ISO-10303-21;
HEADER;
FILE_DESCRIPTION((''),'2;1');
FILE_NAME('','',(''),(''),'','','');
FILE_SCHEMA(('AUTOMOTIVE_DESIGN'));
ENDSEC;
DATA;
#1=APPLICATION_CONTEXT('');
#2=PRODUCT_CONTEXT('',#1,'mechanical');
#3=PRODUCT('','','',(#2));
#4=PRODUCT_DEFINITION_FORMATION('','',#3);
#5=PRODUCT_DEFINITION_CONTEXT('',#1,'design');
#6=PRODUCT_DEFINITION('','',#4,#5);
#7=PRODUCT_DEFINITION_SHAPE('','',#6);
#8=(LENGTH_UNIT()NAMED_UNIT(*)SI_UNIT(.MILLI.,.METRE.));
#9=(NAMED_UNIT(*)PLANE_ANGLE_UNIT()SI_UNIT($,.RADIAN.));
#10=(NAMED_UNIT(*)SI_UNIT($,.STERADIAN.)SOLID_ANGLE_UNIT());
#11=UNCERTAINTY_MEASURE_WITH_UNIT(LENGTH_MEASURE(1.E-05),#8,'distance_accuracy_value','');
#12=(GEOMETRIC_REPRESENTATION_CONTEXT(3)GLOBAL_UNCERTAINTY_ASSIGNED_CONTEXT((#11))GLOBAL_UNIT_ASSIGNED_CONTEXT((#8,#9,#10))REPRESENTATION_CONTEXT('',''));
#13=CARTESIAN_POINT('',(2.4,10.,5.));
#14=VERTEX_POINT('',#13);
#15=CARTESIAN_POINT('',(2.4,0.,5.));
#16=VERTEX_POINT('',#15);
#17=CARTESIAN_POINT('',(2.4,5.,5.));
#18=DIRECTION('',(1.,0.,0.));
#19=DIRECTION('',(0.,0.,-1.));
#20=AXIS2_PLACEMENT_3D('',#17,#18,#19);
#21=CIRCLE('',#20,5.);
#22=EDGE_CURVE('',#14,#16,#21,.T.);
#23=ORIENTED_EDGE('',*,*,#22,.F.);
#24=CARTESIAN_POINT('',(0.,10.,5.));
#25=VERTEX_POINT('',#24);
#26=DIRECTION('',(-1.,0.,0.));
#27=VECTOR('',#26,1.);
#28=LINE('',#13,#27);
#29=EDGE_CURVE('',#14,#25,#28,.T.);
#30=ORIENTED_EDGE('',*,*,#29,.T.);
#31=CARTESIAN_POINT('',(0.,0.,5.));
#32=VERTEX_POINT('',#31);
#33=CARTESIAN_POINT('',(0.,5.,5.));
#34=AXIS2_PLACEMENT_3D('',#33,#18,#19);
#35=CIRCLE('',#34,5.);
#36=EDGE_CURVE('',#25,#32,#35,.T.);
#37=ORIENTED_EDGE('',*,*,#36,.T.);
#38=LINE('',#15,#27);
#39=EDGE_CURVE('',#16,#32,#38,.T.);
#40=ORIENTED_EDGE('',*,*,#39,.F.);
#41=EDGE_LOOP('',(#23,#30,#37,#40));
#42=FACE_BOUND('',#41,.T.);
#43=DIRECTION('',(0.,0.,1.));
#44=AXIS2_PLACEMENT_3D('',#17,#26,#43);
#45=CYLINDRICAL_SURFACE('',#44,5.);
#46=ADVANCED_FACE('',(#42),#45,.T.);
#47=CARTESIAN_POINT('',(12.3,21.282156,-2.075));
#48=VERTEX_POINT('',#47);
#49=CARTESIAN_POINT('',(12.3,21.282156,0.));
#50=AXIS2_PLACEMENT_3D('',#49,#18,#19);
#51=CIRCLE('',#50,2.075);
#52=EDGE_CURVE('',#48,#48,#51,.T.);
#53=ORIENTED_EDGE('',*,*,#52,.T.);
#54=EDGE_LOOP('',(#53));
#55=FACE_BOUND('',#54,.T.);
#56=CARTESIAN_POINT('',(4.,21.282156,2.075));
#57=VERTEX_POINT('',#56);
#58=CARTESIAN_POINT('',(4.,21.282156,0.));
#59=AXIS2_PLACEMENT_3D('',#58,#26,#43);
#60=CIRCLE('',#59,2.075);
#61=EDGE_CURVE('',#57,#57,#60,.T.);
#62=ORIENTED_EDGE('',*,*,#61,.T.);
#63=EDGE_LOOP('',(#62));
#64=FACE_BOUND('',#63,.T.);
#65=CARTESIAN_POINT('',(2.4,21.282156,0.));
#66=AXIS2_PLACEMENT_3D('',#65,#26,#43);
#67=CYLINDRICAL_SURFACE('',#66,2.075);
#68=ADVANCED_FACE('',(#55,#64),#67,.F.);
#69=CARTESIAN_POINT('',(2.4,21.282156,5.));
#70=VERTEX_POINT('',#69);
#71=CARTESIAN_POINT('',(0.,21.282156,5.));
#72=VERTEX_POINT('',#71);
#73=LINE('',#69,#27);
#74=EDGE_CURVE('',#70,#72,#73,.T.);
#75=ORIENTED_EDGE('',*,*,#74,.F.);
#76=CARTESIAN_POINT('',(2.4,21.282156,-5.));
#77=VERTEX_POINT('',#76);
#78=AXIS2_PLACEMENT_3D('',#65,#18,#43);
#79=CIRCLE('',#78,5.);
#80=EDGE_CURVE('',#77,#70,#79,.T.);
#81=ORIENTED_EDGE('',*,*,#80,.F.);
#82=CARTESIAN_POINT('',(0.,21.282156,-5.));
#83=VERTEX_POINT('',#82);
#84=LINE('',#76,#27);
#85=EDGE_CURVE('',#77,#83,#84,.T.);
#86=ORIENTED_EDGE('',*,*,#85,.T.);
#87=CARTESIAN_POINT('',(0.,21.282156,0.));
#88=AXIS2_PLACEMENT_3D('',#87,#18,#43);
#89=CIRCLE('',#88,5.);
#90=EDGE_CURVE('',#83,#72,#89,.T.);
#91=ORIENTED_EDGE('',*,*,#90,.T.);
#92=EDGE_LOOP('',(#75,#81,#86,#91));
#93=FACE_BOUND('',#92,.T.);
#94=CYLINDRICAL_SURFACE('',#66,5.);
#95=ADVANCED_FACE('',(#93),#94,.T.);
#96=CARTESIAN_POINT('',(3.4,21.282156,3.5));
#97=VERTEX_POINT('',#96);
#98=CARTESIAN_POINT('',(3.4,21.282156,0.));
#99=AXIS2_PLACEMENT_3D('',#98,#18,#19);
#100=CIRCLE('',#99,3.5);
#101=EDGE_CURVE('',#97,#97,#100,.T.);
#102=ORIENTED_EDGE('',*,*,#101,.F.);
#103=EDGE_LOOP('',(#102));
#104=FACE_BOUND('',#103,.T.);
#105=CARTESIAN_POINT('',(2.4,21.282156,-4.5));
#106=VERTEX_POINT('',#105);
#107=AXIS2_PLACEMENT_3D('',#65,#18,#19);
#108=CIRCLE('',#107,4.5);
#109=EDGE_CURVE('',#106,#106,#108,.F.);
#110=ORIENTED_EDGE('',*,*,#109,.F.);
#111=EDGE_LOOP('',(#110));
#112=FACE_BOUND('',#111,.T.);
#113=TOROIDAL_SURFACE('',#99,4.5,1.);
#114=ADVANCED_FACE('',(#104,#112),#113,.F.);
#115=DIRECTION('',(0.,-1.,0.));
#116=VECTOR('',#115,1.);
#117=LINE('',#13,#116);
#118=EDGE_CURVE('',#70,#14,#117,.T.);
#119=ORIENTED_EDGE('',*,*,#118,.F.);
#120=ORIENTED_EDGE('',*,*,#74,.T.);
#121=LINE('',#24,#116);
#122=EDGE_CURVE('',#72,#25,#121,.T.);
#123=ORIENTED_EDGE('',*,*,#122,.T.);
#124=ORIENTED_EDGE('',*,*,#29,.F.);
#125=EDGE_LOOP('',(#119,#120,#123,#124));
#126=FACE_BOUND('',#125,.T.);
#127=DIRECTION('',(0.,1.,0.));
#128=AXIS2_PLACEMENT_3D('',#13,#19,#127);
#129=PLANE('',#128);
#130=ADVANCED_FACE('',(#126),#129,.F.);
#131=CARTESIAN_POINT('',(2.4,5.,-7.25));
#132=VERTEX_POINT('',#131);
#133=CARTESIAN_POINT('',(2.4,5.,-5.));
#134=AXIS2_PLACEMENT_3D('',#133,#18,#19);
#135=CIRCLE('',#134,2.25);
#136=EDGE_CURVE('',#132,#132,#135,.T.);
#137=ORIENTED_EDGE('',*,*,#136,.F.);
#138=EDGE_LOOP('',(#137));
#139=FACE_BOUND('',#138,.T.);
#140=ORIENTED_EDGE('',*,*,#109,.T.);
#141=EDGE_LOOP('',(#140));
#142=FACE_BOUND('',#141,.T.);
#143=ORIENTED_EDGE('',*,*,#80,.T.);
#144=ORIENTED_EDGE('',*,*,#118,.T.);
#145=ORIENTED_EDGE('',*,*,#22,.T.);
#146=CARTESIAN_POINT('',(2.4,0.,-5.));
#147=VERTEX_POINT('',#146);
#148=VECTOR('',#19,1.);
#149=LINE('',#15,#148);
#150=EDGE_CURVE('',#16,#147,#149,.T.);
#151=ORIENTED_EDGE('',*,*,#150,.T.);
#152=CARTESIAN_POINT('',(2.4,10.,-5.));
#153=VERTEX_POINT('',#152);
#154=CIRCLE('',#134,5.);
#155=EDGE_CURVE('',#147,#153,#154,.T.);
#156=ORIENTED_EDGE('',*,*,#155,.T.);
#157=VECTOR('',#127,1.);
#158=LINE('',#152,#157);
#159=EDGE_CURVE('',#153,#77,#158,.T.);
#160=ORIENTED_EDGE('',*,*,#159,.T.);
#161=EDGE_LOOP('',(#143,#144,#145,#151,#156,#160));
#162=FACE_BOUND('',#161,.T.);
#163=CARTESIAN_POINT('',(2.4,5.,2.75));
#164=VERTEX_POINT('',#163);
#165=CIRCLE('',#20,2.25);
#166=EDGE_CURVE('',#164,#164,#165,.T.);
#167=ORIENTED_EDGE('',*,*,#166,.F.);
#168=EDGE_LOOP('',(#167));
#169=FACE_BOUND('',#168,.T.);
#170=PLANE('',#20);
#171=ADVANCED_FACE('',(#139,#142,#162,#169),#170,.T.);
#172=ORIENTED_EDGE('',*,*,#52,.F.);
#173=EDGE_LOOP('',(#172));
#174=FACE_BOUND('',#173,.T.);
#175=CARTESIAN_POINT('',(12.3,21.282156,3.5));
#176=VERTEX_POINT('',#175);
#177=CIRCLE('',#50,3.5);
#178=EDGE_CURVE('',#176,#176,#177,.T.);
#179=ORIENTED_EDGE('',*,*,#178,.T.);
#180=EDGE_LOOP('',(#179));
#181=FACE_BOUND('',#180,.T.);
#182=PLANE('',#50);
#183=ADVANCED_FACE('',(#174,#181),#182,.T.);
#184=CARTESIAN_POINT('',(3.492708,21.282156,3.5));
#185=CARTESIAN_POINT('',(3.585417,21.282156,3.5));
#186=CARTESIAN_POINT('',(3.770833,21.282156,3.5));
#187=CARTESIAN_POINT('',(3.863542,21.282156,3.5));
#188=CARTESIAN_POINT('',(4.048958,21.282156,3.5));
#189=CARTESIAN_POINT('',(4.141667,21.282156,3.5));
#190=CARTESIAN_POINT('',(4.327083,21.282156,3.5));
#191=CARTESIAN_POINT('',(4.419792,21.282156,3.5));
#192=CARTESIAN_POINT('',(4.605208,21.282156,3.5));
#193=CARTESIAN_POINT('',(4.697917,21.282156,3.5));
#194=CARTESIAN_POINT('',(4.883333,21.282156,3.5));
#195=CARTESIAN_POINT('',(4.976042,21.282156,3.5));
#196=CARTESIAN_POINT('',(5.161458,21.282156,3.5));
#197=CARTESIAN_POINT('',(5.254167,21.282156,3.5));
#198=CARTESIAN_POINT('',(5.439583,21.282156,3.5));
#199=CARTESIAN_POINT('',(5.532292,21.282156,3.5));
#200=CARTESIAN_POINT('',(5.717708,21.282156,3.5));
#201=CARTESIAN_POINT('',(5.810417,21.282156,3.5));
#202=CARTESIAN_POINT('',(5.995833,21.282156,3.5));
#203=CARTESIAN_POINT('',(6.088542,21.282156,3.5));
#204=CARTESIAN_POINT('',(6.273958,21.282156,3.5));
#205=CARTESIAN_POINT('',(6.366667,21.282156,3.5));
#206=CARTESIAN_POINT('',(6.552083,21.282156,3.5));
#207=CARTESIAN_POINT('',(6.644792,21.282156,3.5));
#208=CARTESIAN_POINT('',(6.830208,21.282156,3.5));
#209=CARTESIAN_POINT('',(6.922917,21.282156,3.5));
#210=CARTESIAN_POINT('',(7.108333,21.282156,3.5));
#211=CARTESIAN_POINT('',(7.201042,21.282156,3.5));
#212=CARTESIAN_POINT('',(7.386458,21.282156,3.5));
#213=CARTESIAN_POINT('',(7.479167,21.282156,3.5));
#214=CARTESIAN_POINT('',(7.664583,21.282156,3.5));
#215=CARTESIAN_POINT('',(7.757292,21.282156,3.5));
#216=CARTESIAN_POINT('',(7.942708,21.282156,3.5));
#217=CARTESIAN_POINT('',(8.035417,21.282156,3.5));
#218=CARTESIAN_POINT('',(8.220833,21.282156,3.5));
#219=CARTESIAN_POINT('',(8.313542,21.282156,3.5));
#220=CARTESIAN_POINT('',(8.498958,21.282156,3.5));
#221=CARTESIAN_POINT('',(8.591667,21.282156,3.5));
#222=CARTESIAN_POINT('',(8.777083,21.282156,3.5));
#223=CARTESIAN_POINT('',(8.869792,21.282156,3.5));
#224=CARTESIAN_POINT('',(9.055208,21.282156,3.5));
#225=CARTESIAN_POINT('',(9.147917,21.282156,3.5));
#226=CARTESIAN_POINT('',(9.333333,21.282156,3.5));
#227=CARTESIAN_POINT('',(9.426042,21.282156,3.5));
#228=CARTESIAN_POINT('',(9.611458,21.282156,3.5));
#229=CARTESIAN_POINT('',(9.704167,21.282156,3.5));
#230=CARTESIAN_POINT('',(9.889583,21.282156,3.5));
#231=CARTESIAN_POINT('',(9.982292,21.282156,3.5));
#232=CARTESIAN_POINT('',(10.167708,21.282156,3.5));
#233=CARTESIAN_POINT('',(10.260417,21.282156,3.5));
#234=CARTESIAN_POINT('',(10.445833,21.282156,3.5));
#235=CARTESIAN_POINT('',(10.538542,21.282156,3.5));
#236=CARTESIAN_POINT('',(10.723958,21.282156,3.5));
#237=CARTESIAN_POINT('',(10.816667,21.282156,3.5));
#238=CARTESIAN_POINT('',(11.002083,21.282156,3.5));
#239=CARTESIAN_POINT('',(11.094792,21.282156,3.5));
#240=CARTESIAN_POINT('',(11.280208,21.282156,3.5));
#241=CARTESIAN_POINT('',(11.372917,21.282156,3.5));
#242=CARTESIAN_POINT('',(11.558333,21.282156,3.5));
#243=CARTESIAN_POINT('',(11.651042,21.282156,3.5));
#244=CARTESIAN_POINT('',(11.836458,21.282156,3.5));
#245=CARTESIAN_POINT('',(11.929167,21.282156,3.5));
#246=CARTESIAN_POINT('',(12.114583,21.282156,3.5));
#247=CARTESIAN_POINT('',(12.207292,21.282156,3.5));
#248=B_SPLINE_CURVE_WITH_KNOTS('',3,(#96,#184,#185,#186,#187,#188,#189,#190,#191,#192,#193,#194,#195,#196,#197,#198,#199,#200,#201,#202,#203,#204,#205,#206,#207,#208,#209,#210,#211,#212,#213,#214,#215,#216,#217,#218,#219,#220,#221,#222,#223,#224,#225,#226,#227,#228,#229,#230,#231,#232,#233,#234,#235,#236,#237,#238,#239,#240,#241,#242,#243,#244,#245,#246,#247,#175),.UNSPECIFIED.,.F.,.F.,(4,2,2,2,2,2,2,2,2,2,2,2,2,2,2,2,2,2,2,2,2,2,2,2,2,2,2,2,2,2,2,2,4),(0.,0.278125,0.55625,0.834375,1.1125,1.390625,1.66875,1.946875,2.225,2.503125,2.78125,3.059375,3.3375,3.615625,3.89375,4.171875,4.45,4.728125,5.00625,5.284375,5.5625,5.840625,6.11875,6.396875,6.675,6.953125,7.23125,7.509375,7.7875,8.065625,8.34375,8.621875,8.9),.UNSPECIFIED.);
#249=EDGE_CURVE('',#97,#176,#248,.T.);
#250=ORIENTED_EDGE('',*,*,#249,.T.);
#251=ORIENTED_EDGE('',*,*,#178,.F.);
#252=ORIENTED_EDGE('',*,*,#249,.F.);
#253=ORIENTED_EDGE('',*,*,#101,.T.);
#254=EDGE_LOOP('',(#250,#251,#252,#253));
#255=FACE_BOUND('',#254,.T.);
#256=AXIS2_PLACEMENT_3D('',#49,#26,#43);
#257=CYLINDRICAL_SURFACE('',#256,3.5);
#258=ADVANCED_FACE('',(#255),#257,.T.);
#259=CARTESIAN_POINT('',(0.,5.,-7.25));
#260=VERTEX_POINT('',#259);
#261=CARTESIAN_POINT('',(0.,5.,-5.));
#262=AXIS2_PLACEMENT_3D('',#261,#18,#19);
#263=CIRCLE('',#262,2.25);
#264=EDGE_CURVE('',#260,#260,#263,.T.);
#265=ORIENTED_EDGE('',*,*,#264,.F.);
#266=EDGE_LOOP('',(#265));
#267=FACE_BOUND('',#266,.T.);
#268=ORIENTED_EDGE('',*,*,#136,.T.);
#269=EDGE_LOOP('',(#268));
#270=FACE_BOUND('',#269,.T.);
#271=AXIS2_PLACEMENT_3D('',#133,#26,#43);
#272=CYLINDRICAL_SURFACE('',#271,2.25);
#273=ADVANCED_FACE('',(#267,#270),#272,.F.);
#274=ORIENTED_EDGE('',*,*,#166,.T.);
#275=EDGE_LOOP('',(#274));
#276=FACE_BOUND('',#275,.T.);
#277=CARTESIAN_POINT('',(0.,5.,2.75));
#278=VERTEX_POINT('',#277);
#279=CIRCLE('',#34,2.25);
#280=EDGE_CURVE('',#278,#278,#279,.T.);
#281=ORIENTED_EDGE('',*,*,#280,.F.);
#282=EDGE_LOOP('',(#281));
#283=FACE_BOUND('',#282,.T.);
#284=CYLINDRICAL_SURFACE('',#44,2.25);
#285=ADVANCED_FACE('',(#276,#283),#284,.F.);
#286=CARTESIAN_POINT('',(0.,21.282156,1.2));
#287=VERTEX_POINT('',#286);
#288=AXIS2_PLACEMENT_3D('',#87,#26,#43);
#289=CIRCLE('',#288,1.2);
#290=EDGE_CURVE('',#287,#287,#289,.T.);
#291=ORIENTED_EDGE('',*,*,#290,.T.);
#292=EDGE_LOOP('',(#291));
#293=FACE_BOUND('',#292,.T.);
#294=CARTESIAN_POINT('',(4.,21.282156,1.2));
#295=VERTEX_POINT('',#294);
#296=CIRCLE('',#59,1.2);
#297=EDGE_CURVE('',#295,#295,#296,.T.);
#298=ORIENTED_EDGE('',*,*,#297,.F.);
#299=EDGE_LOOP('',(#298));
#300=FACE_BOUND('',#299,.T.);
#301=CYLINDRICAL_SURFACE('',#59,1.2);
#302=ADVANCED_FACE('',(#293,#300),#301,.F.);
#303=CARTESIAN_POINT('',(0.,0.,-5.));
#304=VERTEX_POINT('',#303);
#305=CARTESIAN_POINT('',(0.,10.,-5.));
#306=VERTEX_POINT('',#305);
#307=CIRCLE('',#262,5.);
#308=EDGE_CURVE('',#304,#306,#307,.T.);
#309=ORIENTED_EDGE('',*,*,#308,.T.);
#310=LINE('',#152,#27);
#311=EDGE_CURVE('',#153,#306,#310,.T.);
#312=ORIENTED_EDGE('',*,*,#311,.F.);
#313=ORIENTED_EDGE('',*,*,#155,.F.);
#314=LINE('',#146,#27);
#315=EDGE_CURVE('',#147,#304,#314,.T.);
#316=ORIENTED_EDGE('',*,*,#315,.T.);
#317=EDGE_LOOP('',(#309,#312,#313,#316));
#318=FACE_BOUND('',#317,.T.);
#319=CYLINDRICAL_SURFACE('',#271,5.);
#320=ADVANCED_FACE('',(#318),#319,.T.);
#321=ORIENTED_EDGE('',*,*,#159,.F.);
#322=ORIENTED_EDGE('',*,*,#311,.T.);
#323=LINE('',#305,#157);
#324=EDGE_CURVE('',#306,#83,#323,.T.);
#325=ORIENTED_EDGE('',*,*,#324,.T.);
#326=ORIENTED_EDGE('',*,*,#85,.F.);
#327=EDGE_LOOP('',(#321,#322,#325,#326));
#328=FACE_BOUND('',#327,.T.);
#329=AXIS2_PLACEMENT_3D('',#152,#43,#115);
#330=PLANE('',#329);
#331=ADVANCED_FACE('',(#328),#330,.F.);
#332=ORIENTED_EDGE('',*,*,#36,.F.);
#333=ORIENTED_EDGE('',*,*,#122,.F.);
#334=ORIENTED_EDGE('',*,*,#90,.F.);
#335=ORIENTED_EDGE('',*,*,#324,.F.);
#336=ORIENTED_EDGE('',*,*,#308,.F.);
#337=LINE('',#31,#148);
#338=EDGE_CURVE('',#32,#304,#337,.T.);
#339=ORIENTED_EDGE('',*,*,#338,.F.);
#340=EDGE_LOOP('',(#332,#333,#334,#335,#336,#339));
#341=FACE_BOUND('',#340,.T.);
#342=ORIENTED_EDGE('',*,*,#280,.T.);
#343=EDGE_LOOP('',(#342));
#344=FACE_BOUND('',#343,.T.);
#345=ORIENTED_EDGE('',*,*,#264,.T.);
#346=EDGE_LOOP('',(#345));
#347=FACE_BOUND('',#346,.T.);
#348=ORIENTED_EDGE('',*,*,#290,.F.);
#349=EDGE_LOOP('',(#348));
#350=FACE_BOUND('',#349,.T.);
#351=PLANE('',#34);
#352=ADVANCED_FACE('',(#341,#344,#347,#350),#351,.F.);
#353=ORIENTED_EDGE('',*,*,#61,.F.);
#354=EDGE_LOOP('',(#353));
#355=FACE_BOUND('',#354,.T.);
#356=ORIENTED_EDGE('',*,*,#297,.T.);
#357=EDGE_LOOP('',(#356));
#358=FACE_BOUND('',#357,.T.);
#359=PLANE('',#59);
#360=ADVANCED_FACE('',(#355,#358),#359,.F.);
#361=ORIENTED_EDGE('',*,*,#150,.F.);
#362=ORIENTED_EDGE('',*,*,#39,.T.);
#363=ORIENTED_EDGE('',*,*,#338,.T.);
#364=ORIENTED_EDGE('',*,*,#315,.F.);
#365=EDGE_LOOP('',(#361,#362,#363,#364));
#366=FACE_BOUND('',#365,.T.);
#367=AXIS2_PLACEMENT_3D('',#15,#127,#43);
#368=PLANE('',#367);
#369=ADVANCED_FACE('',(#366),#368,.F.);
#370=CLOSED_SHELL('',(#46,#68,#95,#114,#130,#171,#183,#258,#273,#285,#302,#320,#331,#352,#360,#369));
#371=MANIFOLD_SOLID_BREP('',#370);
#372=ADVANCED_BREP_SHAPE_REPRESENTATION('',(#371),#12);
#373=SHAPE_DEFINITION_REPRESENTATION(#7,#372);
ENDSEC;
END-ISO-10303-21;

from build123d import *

# Parameters (mm, degrees)
SKETCH_1_R      = 2.25
SKETCH_1_R_2    = 2.075
EXTRUDE_1_DEPTH = 2.4
SKETCH_4_R      = 3.5
SKETCH_4_R_2    = 2.075
EXTRUDE_2_DEPTH = 9.9
FILLET_1_R      = 1
SKETCH_5_R      = 2.075
SKETCH_5_R_2    = 1.2
EXTRUDE_3_DEPTH = 4


with BuildPart() as part:
    # 草图1 → 凸台-拉伸1 (new body)
    with BuildSketch(Plane(origin=(0, 0, 0), x_dir=(0, 0, -1), z_dir=(1, 0, 0))):
        with BuildLine():
            Line((-5, 0), (5, 0))
            ThreePointArc((5, 0), (10, 5), (5, 10))
            Line((5, 10), (5, 21.282156306))
            ThreePointArc((5, 21.282156306), (0, 26.282156306), (-5, 21.282156306))
            Line((-5, 21.282156306), (-5, 10))
            ThreePointArc((-5, 10), (-10, 5), (-5, 0))
        make_face()
        with Locations((-5, 5)):
            Circle(SKETCH_1_R, mode=Mode.SUBTRACT)
        with Locations((5, 5)):
            Circle(SKETCH_1_R, mode=Mode.SUBTRACT)
        with Locations((0, 21.282156306)):
            Circle(SKETCH_1_R_2, mode=Mode.SUBTRACT)
    extrude(amount=EXTRUDE_1_DEPTH)

    # 草图4 → 凸台-拉伸2 (add)
    with BuildSketch(Plane(origin=(2.4, 0, 0), x_dir=(0, 0, -1), z_dir=(1, 0, 0))):
        with Locations(Location((0, 21.282156306, 0), (0, 0, 180))):
            Circle(SKETCH_4_R)
        with Locations((0, 21.282156306)):
            Circle(SKETCH_4_R_2, mode=Mode.SUBTRACT)
    extrude(amount=EXTRUDE_2_DEPTH)

    # 圆角1
    fillet_1_edges = [part.edges().sort_by_distance(p)[0] for p in [
        (2.4, 21.282156306, -3.5),
    ]]
    fillet(fillet_1_edges, radius=FILLET_1_R)

    # 草图5 → 凸台-拉伸3 (add)
    with BuildSketch(Plane.ZY):
        with Locations((0, 21.282156306)):
            Circle(SKETCH_5_R)
        with Locations((0, 21.282156306)):
            Circle(SKETCH_5_R_2, mode=Mode.SUBTRACT)
    extrude(amount=-EXTRUDE_3_DEPTH)


solid = part.part
